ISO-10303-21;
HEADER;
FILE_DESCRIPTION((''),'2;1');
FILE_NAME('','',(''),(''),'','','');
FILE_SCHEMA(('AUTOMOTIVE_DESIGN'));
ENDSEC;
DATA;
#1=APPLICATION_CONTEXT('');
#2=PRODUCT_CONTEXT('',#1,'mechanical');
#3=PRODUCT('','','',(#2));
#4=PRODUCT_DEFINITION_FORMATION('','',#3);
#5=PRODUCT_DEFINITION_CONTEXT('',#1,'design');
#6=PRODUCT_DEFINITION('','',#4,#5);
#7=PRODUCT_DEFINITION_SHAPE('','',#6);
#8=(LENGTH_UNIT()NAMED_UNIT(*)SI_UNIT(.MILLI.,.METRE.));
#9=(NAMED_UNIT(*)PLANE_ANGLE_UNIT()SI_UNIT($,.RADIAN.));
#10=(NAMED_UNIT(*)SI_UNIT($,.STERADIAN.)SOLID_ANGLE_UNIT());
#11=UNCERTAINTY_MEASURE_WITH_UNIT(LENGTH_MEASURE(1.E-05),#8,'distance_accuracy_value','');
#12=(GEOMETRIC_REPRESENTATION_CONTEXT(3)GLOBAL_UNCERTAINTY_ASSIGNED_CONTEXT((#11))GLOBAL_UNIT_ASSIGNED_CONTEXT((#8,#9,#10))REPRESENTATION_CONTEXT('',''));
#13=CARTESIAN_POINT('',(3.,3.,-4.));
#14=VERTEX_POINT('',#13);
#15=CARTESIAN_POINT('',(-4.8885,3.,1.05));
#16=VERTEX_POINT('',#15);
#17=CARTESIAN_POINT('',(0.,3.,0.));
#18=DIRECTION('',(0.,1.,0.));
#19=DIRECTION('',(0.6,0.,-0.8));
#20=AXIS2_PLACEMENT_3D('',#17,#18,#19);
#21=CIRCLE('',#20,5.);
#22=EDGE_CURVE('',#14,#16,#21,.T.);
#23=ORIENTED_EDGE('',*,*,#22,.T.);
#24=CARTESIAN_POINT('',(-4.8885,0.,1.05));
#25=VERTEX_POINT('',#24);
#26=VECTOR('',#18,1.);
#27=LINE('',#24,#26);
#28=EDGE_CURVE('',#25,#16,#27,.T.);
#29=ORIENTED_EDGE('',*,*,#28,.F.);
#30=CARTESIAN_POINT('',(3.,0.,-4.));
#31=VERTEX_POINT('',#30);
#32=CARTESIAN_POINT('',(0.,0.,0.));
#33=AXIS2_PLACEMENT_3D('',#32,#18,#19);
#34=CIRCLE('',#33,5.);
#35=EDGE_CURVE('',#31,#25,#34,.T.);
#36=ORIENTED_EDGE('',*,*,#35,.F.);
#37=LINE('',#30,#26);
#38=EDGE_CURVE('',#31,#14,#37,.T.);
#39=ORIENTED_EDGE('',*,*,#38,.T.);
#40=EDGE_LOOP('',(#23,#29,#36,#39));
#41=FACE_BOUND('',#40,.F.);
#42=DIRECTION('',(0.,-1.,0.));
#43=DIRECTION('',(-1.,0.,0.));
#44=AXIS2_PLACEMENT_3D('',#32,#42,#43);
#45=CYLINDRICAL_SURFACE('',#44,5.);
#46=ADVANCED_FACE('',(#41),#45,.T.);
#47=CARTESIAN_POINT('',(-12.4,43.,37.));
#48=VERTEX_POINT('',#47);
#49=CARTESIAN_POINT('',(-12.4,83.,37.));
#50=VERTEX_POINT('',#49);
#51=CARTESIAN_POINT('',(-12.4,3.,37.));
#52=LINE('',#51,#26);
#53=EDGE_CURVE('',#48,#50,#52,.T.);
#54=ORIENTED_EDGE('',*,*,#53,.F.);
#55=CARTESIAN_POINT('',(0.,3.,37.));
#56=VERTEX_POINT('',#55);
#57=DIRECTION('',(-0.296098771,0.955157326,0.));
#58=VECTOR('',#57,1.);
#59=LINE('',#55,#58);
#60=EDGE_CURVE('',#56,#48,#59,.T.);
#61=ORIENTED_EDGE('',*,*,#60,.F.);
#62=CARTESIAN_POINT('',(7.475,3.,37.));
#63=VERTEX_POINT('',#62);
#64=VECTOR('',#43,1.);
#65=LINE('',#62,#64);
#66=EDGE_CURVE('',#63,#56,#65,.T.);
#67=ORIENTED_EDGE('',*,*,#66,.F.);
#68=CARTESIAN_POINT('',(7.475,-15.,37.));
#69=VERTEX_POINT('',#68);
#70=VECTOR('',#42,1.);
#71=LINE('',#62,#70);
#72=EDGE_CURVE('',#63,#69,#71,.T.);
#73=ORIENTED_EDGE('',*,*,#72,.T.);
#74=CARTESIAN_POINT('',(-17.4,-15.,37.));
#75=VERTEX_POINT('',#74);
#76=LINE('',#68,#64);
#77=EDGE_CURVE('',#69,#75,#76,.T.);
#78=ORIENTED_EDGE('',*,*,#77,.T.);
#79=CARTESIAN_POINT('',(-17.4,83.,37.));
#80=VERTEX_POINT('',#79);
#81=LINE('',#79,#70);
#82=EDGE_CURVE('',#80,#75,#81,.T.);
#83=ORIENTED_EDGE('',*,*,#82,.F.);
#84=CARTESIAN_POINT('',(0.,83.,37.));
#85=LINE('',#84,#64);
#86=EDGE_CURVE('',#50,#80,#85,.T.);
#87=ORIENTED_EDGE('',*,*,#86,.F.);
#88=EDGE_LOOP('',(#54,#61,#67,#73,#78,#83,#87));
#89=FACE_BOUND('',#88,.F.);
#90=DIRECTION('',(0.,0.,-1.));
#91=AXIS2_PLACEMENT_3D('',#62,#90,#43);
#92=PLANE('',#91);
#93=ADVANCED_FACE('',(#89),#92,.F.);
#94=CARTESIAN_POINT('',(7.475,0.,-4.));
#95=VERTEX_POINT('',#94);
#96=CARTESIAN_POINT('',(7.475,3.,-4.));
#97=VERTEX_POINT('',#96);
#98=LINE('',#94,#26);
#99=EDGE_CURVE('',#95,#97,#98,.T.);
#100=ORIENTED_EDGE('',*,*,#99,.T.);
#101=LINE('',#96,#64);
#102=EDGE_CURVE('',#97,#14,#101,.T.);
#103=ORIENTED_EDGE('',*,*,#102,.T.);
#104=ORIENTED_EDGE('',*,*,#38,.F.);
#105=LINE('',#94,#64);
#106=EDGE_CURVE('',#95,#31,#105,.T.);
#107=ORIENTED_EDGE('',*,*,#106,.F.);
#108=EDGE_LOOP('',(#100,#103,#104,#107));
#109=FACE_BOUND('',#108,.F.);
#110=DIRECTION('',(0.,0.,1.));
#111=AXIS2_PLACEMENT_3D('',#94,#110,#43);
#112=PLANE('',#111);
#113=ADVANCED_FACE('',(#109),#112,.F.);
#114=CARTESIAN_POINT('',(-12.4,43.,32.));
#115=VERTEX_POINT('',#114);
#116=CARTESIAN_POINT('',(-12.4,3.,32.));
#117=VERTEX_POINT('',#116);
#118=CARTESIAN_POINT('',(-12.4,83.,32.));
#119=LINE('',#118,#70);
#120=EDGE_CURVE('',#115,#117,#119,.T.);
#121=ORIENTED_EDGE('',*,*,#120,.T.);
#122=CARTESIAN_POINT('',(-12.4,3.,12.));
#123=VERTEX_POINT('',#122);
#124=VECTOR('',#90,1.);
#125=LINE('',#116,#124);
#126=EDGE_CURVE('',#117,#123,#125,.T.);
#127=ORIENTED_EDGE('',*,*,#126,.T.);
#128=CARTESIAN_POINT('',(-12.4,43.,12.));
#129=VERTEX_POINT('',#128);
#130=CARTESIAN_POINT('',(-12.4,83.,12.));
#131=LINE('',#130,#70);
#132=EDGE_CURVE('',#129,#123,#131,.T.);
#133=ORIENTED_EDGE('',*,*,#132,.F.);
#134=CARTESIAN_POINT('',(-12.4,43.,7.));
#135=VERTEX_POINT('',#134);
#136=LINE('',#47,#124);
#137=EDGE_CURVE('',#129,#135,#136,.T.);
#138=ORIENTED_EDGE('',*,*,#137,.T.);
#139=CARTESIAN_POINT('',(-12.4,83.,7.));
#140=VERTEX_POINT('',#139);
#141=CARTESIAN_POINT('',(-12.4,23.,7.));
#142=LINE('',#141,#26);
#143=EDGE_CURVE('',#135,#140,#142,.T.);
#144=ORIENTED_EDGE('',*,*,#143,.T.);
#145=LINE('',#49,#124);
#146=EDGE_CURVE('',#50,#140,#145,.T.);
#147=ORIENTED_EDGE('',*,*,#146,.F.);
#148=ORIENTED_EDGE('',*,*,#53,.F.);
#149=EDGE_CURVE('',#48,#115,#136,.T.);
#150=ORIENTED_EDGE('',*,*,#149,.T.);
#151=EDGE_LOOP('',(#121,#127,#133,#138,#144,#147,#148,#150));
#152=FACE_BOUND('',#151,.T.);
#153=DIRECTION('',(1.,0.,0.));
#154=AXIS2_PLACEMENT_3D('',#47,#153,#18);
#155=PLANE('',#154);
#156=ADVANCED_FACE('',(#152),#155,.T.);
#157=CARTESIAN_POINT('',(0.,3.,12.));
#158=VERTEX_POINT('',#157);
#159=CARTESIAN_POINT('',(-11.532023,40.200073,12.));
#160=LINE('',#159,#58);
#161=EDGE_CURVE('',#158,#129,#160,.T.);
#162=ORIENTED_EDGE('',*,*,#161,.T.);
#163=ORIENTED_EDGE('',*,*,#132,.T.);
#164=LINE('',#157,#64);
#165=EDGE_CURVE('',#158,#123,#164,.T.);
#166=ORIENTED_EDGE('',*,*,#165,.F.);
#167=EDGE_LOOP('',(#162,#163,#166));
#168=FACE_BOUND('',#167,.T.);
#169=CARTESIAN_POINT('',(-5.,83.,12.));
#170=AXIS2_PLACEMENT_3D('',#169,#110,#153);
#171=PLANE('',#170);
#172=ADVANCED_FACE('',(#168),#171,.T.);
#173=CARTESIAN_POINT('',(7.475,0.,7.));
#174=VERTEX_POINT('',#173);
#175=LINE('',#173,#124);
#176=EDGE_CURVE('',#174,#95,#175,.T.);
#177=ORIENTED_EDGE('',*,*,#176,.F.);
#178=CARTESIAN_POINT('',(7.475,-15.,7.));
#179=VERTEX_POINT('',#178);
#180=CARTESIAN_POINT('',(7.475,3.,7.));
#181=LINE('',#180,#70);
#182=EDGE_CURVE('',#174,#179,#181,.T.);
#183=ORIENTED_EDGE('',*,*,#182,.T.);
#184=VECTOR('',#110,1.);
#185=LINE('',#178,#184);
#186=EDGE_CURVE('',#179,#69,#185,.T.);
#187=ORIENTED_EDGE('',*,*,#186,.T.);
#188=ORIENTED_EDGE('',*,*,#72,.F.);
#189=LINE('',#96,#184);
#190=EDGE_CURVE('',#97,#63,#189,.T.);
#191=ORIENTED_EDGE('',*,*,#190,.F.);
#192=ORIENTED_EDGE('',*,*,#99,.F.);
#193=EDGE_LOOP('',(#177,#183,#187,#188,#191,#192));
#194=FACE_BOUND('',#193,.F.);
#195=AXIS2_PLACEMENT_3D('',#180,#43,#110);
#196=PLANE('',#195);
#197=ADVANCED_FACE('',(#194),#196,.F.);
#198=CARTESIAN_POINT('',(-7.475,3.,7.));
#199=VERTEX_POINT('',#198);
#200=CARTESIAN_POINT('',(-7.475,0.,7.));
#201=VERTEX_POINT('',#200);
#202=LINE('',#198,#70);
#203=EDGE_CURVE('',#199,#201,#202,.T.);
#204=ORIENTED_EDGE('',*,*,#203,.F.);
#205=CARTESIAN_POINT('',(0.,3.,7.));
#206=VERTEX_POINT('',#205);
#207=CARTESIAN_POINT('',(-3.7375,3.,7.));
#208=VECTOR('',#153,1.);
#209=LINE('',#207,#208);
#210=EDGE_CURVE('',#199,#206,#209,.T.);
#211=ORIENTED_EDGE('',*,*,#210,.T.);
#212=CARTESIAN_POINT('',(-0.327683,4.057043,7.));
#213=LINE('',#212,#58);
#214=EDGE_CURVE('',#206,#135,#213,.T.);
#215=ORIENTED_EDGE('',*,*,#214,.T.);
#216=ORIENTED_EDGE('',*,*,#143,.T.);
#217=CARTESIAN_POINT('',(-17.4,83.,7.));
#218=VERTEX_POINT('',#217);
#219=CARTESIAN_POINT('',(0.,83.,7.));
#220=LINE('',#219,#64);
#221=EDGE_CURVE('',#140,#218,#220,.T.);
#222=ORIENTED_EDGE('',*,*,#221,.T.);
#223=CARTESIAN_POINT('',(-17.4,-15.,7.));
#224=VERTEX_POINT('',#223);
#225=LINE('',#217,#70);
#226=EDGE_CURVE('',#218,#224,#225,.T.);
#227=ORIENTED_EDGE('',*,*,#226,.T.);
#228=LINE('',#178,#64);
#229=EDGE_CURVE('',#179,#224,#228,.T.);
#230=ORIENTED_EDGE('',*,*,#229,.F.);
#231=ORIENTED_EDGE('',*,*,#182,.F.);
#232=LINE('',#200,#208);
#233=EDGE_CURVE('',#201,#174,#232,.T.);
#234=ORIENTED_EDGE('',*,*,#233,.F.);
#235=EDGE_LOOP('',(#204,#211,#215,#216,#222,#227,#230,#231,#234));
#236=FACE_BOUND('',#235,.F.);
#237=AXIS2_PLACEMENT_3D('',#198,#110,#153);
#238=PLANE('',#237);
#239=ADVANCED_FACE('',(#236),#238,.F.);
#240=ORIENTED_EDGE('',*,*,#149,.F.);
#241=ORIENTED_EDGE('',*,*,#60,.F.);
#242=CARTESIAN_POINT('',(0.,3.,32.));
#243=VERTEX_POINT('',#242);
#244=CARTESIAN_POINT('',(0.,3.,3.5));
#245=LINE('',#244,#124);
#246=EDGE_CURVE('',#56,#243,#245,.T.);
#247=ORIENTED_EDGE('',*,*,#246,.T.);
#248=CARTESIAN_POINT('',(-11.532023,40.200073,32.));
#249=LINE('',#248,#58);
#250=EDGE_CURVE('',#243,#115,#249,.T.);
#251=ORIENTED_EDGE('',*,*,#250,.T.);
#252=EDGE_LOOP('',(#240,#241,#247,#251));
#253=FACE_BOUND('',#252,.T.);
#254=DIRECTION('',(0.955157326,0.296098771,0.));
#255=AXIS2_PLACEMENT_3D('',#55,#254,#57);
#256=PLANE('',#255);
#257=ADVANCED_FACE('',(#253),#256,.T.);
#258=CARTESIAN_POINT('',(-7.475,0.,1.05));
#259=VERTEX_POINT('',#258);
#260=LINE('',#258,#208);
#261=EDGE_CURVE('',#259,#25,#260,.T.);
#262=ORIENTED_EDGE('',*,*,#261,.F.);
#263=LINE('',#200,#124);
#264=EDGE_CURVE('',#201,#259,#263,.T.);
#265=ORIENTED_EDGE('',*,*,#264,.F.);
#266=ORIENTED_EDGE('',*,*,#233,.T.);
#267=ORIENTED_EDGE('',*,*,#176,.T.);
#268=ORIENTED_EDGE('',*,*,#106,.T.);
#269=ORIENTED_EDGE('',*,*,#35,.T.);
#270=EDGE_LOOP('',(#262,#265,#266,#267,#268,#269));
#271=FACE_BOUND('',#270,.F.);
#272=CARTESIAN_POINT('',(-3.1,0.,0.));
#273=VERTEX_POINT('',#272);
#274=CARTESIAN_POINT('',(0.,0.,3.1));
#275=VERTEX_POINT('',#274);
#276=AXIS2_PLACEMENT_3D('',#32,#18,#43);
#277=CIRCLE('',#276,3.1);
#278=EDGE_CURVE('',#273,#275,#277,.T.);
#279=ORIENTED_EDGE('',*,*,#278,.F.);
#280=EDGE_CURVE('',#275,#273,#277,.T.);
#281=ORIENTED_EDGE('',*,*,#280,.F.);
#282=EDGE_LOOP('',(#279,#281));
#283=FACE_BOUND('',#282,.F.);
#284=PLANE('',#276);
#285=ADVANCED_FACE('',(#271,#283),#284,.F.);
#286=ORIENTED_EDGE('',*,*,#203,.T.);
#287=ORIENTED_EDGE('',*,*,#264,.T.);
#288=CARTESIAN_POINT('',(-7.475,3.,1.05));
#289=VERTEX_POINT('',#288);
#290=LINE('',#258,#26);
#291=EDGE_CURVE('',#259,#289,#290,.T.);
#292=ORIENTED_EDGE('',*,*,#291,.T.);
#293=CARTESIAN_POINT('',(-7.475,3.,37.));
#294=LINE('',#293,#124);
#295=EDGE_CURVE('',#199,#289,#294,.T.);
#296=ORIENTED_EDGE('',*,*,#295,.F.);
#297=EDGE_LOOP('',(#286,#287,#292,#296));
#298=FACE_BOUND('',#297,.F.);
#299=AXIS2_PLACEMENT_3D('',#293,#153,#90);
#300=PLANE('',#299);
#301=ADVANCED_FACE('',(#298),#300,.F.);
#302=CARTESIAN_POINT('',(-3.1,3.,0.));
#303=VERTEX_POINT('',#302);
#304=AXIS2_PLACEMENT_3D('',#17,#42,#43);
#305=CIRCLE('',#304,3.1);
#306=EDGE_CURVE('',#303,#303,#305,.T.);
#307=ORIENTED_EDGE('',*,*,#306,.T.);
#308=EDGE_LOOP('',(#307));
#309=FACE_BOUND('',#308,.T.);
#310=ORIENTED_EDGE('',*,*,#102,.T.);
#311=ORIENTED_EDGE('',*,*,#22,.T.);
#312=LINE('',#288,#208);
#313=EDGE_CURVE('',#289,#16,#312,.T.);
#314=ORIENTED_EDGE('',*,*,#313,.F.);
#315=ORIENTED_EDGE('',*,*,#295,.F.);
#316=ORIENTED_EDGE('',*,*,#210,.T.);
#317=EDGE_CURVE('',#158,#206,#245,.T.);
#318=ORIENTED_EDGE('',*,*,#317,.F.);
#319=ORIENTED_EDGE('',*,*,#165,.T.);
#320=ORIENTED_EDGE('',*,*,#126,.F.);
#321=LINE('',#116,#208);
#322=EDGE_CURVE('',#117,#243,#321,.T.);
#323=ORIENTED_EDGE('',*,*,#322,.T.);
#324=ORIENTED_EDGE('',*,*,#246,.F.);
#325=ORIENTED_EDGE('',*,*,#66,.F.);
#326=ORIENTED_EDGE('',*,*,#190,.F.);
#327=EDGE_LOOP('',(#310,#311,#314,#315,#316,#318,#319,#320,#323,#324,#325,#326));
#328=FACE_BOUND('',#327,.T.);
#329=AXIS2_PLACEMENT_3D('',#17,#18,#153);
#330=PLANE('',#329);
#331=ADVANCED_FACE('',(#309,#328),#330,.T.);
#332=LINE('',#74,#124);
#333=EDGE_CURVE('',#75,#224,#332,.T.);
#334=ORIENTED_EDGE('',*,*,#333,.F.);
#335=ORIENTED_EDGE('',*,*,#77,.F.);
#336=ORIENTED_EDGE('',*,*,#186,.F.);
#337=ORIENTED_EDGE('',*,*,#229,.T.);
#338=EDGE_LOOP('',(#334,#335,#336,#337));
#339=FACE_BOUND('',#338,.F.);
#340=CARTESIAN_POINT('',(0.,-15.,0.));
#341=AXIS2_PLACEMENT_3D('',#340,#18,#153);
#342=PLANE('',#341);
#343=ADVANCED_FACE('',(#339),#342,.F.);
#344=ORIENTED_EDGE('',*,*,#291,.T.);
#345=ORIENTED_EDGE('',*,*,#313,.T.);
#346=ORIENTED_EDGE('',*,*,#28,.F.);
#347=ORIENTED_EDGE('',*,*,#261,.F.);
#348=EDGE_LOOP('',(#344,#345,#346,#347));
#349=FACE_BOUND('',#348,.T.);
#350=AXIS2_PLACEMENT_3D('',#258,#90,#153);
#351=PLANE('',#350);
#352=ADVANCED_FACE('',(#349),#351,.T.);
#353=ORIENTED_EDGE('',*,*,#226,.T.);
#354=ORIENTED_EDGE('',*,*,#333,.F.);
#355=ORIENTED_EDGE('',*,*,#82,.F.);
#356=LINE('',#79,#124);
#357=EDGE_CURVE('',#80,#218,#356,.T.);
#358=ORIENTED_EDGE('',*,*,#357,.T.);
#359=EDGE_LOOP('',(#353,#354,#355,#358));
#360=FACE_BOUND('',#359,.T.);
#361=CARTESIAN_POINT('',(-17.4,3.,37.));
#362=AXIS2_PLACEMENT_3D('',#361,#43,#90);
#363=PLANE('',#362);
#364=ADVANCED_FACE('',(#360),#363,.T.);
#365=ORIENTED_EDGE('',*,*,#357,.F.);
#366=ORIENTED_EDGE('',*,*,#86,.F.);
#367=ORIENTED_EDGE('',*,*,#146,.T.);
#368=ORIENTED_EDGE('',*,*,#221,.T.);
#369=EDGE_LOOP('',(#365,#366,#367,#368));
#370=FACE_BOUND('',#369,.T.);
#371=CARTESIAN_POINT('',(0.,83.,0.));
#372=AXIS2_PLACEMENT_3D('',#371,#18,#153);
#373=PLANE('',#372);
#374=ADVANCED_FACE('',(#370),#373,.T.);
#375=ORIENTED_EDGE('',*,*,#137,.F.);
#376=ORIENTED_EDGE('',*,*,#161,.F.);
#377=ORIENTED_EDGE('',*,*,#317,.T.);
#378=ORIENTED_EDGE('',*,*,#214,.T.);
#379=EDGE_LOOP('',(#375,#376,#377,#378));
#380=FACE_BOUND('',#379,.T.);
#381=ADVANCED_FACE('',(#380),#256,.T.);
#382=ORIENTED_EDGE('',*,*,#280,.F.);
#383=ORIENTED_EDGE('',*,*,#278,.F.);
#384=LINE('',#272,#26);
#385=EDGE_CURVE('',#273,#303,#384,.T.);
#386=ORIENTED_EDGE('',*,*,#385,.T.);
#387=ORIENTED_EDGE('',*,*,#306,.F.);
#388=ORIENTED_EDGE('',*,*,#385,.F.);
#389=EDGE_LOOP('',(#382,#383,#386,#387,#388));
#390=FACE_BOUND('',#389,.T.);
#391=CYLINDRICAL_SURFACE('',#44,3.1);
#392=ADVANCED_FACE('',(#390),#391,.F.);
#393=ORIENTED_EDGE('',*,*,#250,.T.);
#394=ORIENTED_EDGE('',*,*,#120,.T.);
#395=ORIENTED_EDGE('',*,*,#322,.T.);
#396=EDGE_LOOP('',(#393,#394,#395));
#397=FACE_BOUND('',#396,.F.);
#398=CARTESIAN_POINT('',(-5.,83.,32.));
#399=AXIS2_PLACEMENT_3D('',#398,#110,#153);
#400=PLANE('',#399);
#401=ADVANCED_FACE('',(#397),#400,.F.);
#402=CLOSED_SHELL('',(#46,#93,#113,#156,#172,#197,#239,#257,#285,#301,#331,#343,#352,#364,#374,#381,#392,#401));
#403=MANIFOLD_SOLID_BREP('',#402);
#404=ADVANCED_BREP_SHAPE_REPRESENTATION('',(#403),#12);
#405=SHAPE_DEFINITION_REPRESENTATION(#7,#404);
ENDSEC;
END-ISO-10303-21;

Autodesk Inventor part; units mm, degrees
ref_plane "YZ Plane" through (0, 0, 0) normal (1, 0, 0) x (0, 1, 0)
ref_plane "XZ Plane" through (0, 0, 0) normal (0, 1, 0) x (-1, 0, 0)
ref_plane "XY Plane" through (0, 0, 0) normal (0, 0, 1) x (1, 0, 0)
sketch "스케치2" plane through (0, 0, 0) normal (0, 1, 0) x (-1, 0, 0)
  circle A0 centre (0, 0) radius 3.1
  line L0 (0, 0) -> (0, 7)
  line L1 (0, 7) -> (7.475, 7)
  line L2 (7.475, 7) -> (7.475, 1.05)
  circle A1 centre (0, 0) radius 5
  line L3 (7.475, 1.05) -> (4.8885, 1.05)
  line L4 (0, 7) -> (-7.475, 7)
  line L5 (-7.475, 7) -> (-7.475, -5)
  line L6 (-7.475, -5) -> (0, -5)
  line L7 (-7.475, -5) -> (-7.475, -4)
  line L8 (-7.475, -4) -> (-3, -4)
  dimension "d0" = 6.2
  dimension "d1" = 7
  dimension "d2" = 7.475
  dimension "d3" = 5.95
  dimension "d4" = 10
  dimension "d5" = 7.475
  dimension "d21" = 1
extrude "돌출1" add sketch "스케치2" along normal blind 3 contours A1 | A1 L8 L5 L4 L0 | L0 L1 L2 L3 A1
sketch "스케치3" plane through (0, 3, 0) normal (0, 1, 0) x (1, 0, 0)
  line L0 (-7.475, -7) -> (7.475, -7) projected
  line L1 (-7.475, -7) -> (7.475, -7)
  line L2 (7.475, -7) -> (7.475, -37)
  line L3 (7.475, -37) -> (-7.475, -37)
  line L4 (-7.475, -37) -> (-7.475, -7)
  point P0 (0, 0)
  dimension "d8" = 30
extrude "돌출2" add sketch "스케치3" against normal blind 18
sketch "스케치11" plane through (0, 3, 0) normal (0, 1, 0) x (1, 0, 0)
  line L0 (-7.475, -37) -> (7.475, -37) projected
  line L1 (0, -37) -> (-17.4, -37)
  line L2 (-17.4, -37) -> (-17.4, -1.05)
  line L3 (-17.4, -1.05) -> (0, -1.05)
  line L4 (0, -1.05) -> (0, -37)
  line L5 (-7.475, -7) -> (7.475, -7) projected
  line L6 (-17.4, -37) -> (0, -37)
  line L7 (0, -37) -> (0, -7)
  line L8 (0, -7) -> (-17.4, -7)
  line L9 (-17.4, -7) -> (-17.4, -37)
  point P0 (0, 0)
  dimension "d40" = 17.4
extrude "돌출9" add sketch "스케치11" along normal blind 80 and the other way blind 18 contours L1 L2 L8 L5 L4 L0
sketch "스케치12" plane through (0, 83, 0) normal (0, 1, 0) x (1, 0, 0)
  line L0 (0, -7) -> (0, -37) projected
  line L1 (-17.4, -37) -> (0, -37) projected
  line L2 (0, -7) -> (-17.4, -7)
  line L3 (-17.4, -7) -> (-17.4, -37)
  line L4 (-17.4, -37) -> (0, -37)
  line L5 (0, -37) -> (0, -7)
  line L6 (-12.4, -12) -> (-5, -12)
  line L7 (-5, -12) -> (-5, -32)
  line L8 (-5, -32) -> (-12.4, -32)
  line L9 (-12.4, -32) -> (-12.4, -12)
  line L10 (-5, -12) -> (0, -12)
  line L11 (-5, -32) -> (0, -32)
  point P0 (0, 0)
  dimension "d45" = 5
extrude "돌출10" cut sketch "스케치12" against normal blind 80 contours L0 L11 L7 L10 | L7 L8 L9 L6
sketch "스케치13" plane through (7.475, -15, 37) normal (0, 0, 1) x (1, 0, 0)
  line L0 (-7.475, 18) -> (-7.475, 98) projected
  line L1 (-7.475, 18) -> (-19.875, 18)
  line L2 (-19.875, 18) -> (-19.875, 98)
  line L3 (-19.875, 98) -> (-19.875, 58)
  line L4 (-7.475, 18) -> (-19.875, 58)
  line L5 (-24.875, 98) -> (-7.475, 98) projected
  line L6 (-19.875, 98) -> (-7.475, 98)
  line L7 (-7.475, 98) -> (-7.475, 18)
  point P0 (-7.475, 15)
extrude "돌출11" cut sketch "스케치13" against normal blind 80 contours L4 L2 L5 L0
ref_plane "작업 평면5" through (7.475, -15, 52) normal (0, 0, 1) x (1, 0, 0)
sketch "스케치4" plane through (0, 3, 0) normal (0, 1, 0) x (1, 0, 0)
  line L0 (-7.475, -1.05) -> (-7.475, -37) projected
  line L1 (7.475, -7) -> (7.475, -37) projected
  line L2 (-7.475, -37) -> (7.475, -37)
  line L3 (7.475, -37) -> (7.475, -7)
  line L4 (7.475, -7) -> (-7.475, -7)
  line L5 (-7.475, -7) -> (-7.475, -37)
  line L6 (7.475, -7) -> (4.475, -7)
  line L7 (4.475, -7) -> (4.475, -37)
  line L8 (4.475, -37) -> (7.475, -37)
  line L9 (7.475, -37) -> (7.475, -7)
  point P0 (0, 0)
  dimension "d11" = 3
sketch "스케치5" plane through (-7.475, -15, 37) normal (0, 0, 1) x (1, 0, 0)
  line L0 (11.95, 18) -> (11.95, 88) projected
  line L1 (0, 18) -> (0, 0) projected
  line L2 (11.95, 53) -> (0, 18)
  point P0 (7.475, 15)
sketch "스케치6" plane through (0, -15, 0) normal (0, -1, 0) x (1, 0, 0)
  line L0 (7.475, -4) -> (3, -4) projected
  line L1 (7.475, 37) -> (-7.475, 37) projected
  line L2 (7.475, -4) -> (7, -4)
  line L3 (7, -4) -> (7, 37)
  line L4 (7, 37) -> (7.475, 37)
  line L5 (7.475, 37) -> (7.475, -4)
  dimension "d25" = 0.475
sketch "스케치7" plane through (0, 3, 0) normal (0, 1, 0) x (1, 0, 0)
  circle A0 centre (0, 0) radius 3.1 projected
  line L0 (0, 0) -> (25, 0)
  line L1 (25, 0) -> (25, -7)
  line L2 (7, -7) -> (25, -7)
  line L3 (25, -7) -> (25, -37)
  line L4 (25, -37) -> (7, -37)
  line L5 (7, -37) -> (7, -7)
  dimension "d26" = 25
sketch "스케치8" plane through (0, 73, 0) normal (0, 1, 0) x (1, 0, 0)
  line L0 (25, -7) -> (25, -37) projected
  line L1 (4.475, -7) -> (4.475, -37) projected
  line L2 (25, -7) -> (4.475, -7)
  line L3 (4.475, -7) -> (4.475, -37)
  line L4 (4.475, -37) -> (25, -37)
  line L5 (25, -37) -> (25, -7)
  line L6 (4.475, -10) -> (-7.475, -10) projected
  line L7 (4.475, -10) -> (20, -10)
  line L8 (20, -10) -> (20, -34)
  line L9 (20, -34) -> (4.475, -34)
  line L10 (4.475, -34) -> (4.475, -10)
  point P0 (0, 0)
  dimension "d31" = 15.525
sketch "스케치9" plane through (4.475, 38, 37) normal (0, 0, 1) x (1, 0, 0)
  line L0 (0, 0) -> (0, 35) projected
  line L1 (15.525, 35) -> (15.525, -35) projected
  line L2 (0, 0) -> (15.525, 35)
  line L3 (15.525, 35) -> (0, 35)
  line L4 (0, 0) -> (0, 35)
  point P0 (-4.475, -38)
sketch "스케치10" plane through (-7.475, -15, 37) normal (0, 0, 1) x (1, 0, 0)
  line L0 (27.475, 88) -> (27.475, 18) projected
  line L1 (11.95, 53) -> (0, 18) projected
  line L2 (27.475, 88) -> (0, 18)
  line L3 (0, 18) -> (27.475, 18)
  line L4 (32.475, 88) -> (27.475, 88) projected
  line L5 (27.475, 18) -> (27.475, 88)
  line L6 (27.475, 88) -> (27.475, 53)
  line L7 (0, 18) -> (27.475, 53)
  line L8 (0, 18) -> (11.95, 53)
  line L9 (27.475, 88) -> (11.95, 53)
  point P0 (7.475, 15)
ref_plane "작업 평면4" through (7.475, 3, 82) normal (0, 0, -1) x (-1, 0, 0)
properties part number "motor_limit_1"
